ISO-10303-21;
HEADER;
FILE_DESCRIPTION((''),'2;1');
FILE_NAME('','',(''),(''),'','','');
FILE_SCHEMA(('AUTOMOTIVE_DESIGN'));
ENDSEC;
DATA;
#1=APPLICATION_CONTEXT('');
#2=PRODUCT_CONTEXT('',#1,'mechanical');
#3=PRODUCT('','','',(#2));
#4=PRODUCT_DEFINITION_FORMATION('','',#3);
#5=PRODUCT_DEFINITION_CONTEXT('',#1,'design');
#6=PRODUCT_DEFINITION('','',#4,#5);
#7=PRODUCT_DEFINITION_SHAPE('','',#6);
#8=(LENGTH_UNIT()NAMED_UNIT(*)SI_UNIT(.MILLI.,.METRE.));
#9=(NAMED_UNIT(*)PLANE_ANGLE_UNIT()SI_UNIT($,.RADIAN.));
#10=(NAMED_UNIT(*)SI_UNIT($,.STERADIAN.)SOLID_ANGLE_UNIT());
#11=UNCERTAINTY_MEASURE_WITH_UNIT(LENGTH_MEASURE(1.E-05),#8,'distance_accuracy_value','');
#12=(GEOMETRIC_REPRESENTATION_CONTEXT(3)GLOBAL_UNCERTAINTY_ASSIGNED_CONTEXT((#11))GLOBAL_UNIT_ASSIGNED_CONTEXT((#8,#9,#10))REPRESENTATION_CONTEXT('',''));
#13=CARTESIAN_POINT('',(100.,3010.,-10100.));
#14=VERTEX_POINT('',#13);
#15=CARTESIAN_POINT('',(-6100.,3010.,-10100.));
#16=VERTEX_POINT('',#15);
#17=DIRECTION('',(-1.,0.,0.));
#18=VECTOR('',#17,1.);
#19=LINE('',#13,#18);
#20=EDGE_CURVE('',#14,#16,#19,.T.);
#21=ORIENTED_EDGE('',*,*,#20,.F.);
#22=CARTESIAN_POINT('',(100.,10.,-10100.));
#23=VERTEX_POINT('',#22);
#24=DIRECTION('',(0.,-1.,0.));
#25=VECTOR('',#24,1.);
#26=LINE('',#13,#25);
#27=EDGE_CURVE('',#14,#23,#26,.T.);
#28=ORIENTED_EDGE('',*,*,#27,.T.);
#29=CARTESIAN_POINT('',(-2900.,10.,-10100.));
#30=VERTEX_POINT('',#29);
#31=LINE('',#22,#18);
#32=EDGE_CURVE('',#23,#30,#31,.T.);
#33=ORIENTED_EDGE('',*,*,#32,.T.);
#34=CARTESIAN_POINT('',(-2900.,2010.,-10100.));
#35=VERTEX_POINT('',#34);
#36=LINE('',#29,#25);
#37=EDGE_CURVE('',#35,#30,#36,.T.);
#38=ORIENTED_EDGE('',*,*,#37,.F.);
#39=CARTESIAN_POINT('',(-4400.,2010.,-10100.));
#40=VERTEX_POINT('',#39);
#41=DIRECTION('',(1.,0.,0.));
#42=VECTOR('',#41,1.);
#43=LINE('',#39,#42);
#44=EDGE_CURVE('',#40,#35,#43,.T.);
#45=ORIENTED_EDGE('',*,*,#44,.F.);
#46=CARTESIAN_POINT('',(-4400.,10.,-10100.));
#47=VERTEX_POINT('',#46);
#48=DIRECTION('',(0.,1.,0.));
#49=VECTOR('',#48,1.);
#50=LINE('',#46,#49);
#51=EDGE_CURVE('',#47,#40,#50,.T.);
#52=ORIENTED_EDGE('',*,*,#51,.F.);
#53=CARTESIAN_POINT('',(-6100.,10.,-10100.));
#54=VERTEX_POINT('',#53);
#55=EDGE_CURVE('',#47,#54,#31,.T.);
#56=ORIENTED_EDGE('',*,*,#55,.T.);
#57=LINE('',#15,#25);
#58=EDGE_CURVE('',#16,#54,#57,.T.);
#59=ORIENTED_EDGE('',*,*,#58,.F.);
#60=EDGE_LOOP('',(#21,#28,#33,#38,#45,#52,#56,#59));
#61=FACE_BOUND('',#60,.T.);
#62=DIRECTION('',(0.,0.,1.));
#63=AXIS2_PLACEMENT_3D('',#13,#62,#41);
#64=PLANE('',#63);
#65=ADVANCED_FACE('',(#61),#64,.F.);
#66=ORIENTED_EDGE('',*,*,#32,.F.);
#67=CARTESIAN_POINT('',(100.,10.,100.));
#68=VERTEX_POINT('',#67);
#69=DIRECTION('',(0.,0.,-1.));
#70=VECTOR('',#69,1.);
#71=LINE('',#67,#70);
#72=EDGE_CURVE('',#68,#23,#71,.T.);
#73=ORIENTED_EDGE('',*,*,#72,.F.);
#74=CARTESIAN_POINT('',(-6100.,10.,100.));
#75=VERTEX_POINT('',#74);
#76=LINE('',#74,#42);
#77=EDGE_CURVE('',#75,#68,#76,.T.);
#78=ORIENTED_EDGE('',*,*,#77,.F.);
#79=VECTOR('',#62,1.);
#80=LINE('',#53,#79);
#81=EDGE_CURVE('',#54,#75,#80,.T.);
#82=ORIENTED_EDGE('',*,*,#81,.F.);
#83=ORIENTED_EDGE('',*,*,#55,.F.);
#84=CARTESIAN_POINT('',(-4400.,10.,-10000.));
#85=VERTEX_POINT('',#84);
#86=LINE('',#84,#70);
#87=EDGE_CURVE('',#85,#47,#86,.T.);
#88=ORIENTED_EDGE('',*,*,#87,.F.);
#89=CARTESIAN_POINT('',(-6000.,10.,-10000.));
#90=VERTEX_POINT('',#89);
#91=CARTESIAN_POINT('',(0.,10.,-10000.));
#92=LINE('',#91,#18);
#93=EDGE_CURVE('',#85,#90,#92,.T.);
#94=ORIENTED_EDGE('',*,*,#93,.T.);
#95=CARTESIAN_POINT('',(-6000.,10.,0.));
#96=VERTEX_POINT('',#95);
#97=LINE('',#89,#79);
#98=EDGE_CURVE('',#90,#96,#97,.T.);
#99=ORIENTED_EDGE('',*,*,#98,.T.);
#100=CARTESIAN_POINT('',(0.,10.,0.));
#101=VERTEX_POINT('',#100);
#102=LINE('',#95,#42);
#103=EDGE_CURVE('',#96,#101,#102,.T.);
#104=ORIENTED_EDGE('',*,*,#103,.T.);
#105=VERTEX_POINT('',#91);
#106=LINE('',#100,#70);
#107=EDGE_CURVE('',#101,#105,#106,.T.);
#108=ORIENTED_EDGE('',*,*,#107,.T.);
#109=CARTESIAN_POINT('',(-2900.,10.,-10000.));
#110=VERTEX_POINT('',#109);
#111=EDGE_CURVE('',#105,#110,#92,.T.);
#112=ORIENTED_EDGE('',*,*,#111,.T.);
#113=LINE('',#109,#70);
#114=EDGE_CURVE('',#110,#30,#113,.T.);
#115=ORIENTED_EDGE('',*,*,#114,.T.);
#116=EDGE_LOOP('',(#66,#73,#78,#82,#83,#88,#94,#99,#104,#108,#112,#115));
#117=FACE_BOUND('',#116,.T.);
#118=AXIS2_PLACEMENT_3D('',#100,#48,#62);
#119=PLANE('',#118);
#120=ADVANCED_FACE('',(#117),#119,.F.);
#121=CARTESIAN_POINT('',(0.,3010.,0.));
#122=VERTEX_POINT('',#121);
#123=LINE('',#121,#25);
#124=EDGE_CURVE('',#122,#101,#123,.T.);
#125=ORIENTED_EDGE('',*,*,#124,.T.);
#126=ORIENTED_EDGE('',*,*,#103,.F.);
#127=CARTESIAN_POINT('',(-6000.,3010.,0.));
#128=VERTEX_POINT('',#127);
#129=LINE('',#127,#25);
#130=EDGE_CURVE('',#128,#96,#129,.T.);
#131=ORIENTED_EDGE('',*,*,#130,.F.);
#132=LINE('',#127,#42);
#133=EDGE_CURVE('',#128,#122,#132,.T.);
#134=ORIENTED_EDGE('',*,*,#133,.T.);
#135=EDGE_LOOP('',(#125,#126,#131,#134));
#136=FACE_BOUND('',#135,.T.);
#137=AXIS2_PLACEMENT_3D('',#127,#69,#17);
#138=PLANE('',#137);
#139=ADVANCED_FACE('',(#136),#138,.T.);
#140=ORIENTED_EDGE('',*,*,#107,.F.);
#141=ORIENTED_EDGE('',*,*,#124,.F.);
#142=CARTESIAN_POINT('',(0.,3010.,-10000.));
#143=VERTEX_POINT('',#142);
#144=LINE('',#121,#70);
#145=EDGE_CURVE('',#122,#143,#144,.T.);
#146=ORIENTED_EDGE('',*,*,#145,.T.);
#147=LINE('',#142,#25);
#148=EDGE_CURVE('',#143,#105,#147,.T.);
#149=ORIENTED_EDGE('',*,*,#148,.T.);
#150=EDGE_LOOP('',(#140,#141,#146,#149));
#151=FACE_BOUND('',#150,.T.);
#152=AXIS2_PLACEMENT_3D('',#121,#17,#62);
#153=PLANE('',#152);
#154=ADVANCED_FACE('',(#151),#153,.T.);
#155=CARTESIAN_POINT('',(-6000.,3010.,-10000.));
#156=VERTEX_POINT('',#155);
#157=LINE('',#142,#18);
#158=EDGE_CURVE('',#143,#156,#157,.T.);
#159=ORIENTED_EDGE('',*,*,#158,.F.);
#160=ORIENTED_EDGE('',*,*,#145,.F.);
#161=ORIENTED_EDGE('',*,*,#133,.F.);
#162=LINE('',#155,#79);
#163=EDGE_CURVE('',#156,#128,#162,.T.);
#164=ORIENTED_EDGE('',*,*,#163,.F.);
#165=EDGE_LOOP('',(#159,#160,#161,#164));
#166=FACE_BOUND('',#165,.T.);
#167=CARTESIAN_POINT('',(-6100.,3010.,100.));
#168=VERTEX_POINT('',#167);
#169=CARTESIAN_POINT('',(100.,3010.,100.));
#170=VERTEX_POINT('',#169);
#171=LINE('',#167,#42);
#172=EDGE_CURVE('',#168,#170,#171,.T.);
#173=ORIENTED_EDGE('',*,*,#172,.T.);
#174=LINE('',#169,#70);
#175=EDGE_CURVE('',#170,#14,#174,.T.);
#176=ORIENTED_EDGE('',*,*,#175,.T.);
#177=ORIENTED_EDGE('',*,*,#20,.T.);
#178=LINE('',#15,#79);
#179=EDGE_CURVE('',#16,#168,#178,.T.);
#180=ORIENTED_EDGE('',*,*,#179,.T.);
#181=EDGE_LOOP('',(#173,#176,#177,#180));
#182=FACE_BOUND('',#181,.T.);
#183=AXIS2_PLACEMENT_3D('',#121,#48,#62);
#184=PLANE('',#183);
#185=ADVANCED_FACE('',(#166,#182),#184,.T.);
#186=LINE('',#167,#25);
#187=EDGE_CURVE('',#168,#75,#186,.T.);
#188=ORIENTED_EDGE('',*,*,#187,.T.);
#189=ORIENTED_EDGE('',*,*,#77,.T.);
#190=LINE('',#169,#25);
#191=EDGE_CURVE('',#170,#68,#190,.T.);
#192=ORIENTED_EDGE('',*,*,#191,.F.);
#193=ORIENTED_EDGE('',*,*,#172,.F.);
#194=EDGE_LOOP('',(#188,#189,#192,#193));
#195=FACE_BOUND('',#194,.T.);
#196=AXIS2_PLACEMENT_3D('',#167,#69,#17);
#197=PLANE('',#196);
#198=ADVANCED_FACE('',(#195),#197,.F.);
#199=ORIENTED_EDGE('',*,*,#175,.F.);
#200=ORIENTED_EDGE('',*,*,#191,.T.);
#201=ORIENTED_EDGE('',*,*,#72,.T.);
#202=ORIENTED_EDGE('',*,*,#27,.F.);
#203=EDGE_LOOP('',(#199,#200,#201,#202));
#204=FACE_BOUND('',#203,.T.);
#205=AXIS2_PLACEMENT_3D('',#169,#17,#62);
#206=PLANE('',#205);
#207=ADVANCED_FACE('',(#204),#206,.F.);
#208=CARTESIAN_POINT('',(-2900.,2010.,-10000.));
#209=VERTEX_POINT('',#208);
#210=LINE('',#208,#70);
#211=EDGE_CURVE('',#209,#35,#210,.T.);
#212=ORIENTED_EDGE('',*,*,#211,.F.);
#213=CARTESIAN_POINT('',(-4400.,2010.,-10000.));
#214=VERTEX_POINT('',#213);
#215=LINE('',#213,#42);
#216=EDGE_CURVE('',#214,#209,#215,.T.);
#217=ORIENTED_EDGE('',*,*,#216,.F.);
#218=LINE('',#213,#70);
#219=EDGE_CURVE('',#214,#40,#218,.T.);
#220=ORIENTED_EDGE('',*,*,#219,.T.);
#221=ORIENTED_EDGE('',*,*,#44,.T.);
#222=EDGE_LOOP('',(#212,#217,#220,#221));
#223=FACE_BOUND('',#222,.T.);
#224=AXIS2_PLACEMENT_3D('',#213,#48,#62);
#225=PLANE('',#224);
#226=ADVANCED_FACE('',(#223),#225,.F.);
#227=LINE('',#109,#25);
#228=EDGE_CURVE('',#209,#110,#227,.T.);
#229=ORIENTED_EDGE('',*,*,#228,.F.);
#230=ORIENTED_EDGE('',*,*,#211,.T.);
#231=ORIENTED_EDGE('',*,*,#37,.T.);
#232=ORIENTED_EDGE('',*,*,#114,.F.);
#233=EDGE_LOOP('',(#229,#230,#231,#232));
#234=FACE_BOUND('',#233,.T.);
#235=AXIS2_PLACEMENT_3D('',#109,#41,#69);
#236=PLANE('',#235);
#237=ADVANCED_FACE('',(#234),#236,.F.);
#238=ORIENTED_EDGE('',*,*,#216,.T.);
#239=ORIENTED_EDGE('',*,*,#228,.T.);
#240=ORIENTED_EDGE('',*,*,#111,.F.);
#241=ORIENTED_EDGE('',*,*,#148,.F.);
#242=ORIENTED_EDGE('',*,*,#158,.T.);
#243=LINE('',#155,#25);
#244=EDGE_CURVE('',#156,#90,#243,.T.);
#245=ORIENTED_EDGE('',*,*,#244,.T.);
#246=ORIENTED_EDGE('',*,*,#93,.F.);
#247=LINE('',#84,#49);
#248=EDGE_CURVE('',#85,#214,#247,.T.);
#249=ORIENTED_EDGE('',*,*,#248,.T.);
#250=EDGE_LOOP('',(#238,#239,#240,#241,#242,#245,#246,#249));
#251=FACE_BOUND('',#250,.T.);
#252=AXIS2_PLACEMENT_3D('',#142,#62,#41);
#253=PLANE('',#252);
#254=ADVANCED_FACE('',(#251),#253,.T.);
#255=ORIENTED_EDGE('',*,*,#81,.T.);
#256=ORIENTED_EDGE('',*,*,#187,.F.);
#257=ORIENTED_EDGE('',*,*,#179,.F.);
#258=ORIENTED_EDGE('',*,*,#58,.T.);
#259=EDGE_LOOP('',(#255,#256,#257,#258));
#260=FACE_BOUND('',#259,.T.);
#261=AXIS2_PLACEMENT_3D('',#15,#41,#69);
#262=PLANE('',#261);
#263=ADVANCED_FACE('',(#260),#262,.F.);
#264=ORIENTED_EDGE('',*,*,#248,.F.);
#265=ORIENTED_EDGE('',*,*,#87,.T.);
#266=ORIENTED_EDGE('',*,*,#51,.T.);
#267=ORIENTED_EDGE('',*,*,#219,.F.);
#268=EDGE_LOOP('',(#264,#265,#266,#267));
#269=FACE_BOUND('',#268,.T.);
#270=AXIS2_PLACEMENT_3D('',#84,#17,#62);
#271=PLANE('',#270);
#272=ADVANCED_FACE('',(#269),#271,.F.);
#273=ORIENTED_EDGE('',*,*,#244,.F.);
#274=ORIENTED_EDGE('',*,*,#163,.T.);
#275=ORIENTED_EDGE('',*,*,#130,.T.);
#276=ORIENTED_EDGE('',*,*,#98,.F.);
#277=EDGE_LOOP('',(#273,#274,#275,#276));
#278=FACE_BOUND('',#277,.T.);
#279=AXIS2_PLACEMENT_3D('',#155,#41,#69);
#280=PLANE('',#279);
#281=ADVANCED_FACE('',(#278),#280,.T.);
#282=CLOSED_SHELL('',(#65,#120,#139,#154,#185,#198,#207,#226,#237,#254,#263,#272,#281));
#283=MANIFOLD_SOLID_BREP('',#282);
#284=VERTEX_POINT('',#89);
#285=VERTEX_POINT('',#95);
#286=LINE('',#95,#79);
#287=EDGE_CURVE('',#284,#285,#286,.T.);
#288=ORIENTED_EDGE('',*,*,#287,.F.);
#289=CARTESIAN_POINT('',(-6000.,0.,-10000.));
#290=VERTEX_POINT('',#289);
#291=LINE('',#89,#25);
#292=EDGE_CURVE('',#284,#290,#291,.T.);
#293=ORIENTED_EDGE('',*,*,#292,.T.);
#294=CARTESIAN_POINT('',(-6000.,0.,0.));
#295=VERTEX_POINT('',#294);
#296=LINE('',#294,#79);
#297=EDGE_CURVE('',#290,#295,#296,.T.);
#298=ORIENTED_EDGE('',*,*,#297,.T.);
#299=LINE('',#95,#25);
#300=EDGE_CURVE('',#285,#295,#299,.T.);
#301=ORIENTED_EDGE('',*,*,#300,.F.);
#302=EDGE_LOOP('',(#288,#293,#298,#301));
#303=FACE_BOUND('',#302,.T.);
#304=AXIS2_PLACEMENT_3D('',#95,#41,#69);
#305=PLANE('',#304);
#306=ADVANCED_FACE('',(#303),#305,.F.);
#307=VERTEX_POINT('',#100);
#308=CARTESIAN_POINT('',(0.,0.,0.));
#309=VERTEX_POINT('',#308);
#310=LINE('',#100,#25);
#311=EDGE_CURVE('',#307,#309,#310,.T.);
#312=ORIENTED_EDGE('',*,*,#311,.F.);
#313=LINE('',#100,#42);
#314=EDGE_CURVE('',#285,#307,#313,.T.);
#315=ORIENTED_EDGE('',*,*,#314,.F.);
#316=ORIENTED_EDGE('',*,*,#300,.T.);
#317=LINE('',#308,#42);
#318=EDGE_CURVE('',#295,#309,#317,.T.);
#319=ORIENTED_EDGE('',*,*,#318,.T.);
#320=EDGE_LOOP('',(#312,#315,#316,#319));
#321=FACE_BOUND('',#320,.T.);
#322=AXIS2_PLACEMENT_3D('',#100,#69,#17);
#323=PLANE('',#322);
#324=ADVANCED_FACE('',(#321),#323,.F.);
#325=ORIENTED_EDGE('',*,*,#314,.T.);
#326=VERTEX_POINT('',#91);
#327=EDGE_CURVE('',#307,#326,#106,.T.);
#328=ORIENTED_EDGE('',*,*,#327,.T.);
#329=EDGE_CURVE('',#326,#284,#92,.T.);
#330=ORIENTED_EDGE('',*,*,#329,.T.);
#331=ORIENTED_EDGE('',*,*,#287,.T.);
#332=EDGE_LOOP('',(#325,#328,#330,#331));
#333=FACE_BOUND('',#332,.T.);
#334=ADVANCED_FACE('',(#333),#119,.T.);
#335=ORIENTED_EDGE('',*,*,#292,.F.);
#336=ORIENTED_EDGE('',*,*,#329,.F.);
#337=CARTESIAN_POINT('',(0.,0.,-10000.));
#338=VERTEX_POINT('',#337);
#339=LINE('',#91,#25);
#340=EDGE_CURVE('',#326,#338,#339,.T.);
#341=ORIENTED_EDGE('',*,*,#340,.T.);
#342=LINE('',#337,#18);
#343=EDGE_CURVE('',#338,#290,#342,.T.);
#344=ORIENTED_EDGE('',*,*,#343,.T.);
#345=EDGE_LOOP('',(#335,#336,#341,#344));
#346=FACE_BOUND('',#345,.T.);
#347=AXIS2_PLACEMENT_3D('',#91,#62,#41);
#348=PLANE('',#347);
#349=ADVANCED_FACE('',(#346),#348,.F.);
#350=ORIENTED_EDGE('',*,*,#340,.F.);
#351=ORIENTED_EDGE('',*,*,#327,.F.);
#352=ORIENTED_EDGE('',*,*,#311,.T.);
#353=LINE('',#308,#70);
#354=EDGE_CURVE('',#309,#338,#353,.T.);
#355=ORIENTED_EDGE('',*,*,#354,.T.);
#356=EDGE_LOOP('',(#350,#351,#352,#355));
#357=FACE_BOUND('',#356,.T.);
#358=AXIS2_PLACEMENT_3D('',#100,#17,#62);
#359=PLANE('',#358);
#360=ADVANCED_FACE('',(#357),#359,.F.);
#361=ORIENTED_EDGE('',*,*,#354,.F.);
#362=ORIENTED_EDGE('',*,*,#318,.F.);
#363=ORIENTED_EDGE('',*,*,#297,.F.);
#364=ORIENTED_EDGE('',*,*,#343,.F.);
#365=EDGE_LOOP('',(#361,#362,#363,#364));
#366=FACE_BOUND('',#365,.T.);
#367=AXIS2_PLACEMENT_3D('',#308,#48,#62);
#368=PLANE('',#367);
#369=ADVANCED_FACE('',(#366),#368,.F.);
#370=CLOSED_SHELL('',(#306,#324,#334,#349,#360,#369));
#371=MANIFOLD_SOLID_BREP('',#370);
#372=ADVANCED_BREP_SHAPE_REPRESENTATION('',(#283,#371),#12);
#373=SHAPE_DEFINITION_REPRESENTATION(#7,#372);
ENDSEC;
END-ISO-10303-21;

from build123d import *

# Parameters (mm, degrees)
SKETCH1_W           = 6000
SKETCH1_H           = 10000
BOSS_EXTRUDE1_DEPTH = 10
SKETCH3_W           = 6200
SKETCH3_H           = 10200
SKETCH3_W_2         = 6000
SKETCH3_H_2         = 10000
BOSS_EXTRUDE2_DEPTH = 3000
SKETCH4_W           = 1500
SKETCH4_H           = 2000
CUT_EXTRUDE1_DEPTH  = 100


with BuildPart() as part:
    # Sketch1 → Boss-Extrude1 (new body)
    with BuildSketch(Plane(origin=(0, 0, 0), x_dir=(1, 0, 0), z_dir=(0, 1, 0))):
        with Locations((-3000, 5000)):
            Rectangle(SKETCH1_W, SKETCH1_H)
    extrude(amount=BOSS_EXTRUDE1_DEPTH)


with BuildPart() as body_2:
    # Sketch3 → Boss-Extrude2 (new body)
    with BuildSketch(Plane(origin=(0, 10, 0), x_dir=(1, 0, 0), z_dir=(0, 1, 0))):
        with Locations((-3000, 5000)):
            Rectangle(SKETCH3_W, SKETCH3_H)
        with Locations((-3000, 5000)):
            Rectangle(SKETCH3_W_2, SKETCH3_H_2, mode=Mode.SUBTRACT)
    extrude(amount=BOSS_EXTRUDE2_DEPTH)

    # Sketch4 → Cut-Extrude1 (cut)
    with BuildSketch(Plane(origin=(0, 0, -10100), x_dir=(-1, 0, 0), z_dir=(0, 0, -1))):
        with Locations((3650, 1010)):
            Rectangle(SKETCH4_W, SKETCH4_H)
    extrude(amount=-CUT_EXTRUDE1_DEPTH, mode=Mode.SUBTRACT)


solid = Compound([part.part, body_2.part])
